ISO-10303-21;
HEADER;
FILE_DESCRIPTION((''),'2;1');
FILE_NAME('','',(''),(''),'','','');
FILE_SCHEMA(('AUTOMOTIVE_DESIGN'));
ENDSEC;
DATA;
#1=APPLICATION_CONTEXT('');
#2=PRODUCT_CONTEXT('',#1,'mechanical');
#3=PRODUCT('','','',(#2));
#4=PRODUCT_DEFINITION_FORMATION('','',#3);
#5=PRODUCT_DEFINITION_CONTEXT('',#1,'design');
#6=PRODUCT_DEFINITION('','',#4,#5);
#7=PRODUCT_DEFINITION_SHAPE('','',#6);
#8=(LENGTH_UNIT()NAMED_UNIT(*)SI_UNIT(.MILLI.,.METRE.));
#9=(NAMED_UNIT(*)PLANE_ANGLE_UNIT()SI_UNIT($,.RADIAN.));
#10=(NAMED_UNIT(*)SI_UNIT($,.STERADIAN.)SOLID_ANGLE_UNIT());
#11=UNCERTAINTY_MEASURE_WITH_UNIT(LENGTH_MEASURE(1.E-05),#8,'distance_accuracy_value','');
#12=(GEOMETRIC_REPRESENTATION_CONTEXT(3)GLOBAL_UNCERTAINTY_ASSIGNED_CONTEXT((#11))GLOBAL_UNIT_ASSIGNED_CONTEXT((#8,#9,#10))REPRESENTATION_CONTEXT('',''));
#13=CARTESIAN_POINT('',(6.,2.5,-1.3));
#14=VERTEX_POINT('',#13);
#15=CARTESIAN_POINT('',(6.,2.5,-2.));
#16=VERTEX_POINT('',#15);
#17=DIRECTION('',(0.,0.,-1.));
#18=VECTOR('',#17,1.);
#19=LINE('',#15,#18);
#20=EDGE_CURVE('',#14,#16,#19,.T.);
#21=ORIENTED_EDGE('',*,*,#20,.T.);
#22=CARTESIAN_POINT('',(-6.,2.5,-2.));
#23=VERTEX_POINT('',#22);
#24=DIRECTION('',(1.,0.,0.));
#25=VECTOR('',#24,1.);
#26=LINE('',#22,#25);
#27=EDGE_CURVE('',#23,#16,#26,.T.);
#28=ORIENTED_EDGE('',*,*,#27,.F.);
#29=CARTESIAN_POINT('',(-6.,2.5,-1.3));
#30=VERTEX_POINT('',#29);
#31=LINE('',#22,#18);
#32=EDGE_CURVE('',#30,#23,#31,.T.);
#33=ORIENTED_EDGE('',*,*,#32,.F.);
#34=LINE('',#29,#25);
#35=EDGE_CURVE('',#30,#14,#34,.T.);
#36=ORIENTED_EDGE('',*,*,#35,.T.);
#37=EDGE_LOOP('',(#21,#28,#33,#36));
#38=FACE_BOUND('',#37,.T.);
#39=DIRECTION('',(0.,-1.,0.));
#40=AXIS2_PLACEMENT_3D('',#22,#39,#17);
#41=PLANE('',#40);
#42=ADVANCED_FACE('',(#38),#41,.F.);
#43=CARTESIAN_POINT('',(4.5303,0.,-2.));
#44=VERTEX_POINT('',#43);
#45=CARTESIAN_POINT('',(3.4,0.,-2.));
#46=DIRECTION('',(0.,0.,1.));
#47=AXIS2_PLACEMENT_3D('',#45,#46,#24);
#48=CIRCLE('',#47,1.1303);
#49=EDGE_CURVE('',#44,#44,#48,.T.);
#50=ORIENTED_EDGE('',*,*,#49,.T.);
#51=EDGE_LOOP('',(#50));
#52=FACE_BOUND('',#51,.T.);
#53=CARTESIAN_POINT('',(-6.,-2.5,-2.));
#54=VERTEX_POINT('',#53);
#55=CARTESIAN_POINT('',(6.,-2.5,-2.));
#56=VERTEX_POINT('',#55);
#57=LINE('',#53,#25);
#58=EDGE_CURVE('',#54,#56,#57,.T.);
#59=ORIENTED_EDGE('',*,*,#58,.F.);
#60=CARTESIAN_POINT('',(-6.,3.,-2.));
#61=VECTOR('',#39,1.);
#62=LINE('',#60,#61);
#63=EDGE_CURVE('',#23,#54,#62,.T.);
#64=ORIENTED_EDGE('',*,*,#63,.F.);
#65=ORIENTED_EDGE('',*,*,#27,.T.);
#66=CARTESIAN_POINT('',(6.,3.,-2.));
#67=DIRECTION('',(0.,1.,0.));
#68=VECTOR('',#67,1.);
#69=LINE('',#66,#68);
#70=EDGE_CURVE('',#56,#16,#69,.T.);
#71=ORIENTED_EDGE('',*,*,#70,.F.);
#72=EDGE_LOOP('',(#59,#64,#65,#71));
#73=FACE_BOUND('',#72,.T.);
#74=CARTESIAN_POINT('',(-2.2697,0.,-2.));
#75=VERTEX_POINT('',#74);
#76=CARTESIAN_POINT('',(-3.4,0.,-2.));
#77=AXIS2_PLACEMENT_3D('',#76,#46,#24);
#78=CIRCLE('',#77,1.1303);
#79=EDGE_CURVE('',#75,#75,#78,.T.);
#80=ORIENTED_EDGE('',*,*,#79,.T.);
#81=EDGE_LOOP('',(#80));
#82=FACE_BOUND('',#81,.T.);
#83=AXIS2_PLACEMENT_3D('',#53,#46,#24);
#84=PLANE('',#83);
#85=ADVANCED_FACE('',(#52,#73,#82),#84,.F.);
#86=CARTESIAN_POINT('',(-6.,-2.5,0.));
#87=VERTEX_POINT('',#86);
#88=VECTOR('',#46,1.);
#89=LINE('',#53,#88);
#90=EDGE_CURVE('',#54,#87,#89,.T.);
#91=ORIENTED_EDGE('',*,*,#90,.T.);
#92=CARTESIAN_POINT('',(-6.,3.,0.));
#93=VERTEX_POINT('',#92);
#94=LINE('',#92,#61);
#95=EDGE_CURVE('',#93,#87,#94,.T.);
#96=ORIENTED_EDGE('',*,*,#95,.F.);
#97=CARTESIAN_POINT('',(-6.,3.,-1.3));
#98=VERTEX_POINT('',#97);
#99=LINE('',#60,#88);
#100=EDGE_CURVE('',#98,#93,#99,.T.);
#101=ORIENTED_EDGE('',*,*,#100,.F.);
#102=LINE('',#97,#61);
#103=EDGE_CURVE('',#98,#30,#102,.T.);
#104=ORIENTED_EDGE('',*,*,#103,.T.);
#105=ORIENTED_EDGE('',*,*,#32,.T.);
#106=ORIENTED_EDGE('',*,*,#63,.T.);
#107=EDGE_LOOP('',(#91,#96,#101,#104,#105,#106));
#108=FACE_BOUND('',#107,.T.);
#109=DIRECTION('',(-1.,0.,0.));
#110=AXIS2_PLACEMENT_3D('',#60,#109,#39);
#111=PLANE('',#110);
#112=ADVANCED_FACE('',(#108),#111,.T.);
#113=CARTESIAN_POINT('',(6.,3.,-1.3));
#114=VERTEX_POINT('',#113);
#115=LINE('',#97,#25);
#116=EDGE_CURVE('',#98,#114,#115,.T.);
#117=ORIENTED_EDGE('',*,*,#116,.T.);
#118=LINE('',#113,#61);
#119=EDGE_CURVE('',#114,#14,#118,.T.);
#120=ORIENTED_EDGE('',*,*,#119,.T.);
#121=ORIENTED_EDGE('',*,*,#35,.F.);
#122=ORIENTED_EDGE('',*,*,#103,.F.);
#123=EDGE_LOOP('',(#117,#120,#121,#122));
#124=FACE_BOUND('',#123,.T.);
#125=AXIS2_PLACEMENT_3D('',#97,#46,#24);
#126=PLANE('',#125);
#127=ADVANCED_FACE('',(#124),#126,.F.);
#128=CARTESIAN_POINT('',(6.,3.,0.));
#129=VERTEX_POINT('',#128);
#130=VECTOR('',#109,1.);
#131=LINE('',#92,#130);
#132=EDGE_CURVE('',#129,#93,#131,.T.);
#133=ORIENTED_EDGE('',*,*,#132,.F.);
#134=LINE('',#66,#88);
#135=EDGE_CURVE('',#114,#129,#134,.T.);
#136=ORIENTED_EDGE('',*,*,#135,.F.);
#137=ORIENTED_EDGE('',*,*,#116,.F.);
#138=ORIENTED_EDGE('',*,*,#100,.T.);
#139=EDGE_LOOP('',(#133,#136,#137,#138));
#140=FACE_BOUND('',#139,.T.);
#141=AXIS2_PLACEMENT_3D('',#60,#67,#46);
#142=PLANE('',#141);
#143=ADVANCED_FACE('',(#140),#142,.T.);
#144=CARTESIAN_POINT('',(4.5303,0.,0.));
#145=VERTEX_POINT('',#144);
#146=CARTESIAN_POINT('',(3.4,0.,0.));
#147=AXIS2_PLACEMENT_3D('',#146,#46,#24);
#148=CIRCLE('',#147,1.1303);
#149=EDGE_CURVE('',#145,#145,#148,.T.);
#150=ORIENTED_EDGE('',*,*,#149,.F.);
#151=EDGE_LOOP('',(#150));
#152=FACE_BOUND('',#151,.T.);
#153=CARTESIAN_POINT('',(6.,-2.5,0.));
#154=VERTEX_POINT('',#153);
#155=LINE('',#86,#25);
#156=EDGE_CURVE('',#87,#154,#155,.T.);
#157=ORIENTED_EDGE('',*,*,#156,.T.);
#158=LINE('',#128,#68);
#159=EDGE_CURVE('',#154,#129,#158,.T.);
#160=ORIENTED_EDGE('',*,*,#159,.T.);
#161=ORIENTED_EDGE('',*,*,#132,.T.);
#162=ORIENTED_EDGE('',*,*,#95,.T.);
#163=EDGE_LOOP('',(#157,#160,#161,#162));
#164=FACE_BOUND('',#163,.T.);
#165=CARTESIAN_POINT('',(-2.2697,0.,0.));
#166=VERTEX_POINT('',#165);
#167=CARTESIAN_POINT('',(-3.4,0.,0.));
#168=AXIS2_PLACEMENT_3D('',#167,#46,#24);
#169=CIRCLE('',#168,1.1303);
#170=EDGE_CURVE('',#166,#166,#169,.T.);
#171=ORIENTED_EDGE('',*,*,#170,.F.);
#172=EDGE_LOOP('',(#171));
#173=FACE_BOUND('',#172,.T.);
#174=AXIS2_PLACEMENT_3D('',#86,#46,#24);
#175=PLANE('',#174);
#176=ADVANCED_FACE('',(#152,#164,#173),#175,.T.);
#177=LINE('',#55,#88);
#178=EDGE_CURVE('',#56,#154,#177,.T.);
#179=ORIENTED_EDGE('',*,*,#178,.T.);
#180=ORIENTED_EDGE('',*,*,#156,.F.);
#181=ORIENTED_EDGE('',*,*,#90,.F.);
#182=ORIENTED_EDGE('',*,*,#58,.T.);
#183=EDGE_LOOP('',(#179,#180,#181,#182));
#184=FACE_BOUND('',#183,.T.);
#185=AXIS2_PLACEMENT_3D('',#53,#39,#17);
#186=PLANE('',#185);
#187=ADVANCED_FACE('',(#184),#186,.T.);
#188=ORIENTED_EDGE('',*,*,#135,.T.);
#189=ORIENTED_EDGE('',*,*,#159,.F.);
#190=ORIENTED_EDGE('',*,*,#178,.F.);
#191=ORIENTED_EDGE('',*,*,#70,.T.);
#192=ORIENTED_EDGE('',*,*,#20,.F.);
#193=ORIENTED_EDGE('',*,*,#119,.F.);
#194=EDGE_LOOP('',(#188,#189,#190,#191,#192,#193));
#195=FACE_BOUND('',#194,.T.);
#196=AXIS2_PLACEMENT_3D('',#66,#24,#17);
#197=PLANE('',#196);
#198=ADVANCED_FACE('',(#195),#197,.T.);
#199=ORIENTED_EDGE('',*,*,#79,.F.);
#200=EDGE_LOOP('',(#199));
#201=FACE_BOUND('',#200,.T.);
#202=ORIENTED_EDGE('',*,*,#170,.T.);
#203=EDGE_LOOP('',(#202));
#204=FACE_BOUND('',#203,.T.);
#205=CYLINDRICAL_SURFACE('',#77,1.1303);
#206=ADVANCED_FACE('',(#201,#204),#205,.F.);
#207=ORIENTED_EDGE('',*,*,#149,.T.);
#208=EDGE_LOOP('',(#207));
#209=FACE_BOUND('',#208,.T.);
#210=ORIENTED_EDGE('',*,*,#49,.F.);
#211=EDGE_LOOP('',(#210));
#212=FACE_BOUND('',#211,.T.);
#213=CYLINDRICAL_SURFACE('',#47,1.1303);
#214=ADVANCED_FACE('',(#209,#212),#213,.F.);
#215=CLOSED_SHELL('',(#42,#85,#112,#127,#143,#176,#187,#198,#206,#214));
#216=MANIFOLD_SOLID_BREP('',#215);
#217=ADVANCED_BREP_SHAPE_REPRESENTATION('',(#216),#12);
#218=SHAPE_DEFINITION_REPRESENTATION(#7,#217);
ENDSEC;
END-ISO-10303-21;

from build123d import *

# Parameters (mm, degrees)
SKETCH1_W      = 12
SKETCH1_H      = 5.5
EXTRUDE1_DEPTH = 2
SKETCH2_R      = 1.1303
EXTRUDE2_DEPTH = 3
SKETCH3_W      = 0.7
SKETCH3_H      = 0.5
EXTRUDE3_DEPTH = 13


with BuildPart() as part:
    # Sketch1 → Extrude1 (new body)
    with BuildSketch(Plane.XY):
        with Locations((0, 0.25)):
            Rectangle(SKETCH1_W, SKETCH1_H)
    extrude(amount=-EXTRUDE1_DEPTH)

    # Sketch2 → Extrude2 (cut, through all)
    with BuildSketch(Plane.XY):
        with Locations((-3.4, 0)):
            Circle(SKETCH2_R)
        with Locations((3.4, 0)):
            Circle(SKETCH2_R)
    extrude(amount=-EXTRUDE2_DEPTH, mode=Mode.SUBTRACT)

    # Sketch3 → Extrude3 (cut, through all)
    with BuildSketch(Plane(origin=(6, 0, 0), x_dir=(0, 0, -1), z_dir=(1, 0, 0))):
        with Locations((1.65, 2.75)):
            Rectangle(SKETCH3_W, SKETCH3_H)
    extrude(amount=-EXTRUDE3_DEPTH, mode=Mode.SUBTRACT)


solid = part.part
